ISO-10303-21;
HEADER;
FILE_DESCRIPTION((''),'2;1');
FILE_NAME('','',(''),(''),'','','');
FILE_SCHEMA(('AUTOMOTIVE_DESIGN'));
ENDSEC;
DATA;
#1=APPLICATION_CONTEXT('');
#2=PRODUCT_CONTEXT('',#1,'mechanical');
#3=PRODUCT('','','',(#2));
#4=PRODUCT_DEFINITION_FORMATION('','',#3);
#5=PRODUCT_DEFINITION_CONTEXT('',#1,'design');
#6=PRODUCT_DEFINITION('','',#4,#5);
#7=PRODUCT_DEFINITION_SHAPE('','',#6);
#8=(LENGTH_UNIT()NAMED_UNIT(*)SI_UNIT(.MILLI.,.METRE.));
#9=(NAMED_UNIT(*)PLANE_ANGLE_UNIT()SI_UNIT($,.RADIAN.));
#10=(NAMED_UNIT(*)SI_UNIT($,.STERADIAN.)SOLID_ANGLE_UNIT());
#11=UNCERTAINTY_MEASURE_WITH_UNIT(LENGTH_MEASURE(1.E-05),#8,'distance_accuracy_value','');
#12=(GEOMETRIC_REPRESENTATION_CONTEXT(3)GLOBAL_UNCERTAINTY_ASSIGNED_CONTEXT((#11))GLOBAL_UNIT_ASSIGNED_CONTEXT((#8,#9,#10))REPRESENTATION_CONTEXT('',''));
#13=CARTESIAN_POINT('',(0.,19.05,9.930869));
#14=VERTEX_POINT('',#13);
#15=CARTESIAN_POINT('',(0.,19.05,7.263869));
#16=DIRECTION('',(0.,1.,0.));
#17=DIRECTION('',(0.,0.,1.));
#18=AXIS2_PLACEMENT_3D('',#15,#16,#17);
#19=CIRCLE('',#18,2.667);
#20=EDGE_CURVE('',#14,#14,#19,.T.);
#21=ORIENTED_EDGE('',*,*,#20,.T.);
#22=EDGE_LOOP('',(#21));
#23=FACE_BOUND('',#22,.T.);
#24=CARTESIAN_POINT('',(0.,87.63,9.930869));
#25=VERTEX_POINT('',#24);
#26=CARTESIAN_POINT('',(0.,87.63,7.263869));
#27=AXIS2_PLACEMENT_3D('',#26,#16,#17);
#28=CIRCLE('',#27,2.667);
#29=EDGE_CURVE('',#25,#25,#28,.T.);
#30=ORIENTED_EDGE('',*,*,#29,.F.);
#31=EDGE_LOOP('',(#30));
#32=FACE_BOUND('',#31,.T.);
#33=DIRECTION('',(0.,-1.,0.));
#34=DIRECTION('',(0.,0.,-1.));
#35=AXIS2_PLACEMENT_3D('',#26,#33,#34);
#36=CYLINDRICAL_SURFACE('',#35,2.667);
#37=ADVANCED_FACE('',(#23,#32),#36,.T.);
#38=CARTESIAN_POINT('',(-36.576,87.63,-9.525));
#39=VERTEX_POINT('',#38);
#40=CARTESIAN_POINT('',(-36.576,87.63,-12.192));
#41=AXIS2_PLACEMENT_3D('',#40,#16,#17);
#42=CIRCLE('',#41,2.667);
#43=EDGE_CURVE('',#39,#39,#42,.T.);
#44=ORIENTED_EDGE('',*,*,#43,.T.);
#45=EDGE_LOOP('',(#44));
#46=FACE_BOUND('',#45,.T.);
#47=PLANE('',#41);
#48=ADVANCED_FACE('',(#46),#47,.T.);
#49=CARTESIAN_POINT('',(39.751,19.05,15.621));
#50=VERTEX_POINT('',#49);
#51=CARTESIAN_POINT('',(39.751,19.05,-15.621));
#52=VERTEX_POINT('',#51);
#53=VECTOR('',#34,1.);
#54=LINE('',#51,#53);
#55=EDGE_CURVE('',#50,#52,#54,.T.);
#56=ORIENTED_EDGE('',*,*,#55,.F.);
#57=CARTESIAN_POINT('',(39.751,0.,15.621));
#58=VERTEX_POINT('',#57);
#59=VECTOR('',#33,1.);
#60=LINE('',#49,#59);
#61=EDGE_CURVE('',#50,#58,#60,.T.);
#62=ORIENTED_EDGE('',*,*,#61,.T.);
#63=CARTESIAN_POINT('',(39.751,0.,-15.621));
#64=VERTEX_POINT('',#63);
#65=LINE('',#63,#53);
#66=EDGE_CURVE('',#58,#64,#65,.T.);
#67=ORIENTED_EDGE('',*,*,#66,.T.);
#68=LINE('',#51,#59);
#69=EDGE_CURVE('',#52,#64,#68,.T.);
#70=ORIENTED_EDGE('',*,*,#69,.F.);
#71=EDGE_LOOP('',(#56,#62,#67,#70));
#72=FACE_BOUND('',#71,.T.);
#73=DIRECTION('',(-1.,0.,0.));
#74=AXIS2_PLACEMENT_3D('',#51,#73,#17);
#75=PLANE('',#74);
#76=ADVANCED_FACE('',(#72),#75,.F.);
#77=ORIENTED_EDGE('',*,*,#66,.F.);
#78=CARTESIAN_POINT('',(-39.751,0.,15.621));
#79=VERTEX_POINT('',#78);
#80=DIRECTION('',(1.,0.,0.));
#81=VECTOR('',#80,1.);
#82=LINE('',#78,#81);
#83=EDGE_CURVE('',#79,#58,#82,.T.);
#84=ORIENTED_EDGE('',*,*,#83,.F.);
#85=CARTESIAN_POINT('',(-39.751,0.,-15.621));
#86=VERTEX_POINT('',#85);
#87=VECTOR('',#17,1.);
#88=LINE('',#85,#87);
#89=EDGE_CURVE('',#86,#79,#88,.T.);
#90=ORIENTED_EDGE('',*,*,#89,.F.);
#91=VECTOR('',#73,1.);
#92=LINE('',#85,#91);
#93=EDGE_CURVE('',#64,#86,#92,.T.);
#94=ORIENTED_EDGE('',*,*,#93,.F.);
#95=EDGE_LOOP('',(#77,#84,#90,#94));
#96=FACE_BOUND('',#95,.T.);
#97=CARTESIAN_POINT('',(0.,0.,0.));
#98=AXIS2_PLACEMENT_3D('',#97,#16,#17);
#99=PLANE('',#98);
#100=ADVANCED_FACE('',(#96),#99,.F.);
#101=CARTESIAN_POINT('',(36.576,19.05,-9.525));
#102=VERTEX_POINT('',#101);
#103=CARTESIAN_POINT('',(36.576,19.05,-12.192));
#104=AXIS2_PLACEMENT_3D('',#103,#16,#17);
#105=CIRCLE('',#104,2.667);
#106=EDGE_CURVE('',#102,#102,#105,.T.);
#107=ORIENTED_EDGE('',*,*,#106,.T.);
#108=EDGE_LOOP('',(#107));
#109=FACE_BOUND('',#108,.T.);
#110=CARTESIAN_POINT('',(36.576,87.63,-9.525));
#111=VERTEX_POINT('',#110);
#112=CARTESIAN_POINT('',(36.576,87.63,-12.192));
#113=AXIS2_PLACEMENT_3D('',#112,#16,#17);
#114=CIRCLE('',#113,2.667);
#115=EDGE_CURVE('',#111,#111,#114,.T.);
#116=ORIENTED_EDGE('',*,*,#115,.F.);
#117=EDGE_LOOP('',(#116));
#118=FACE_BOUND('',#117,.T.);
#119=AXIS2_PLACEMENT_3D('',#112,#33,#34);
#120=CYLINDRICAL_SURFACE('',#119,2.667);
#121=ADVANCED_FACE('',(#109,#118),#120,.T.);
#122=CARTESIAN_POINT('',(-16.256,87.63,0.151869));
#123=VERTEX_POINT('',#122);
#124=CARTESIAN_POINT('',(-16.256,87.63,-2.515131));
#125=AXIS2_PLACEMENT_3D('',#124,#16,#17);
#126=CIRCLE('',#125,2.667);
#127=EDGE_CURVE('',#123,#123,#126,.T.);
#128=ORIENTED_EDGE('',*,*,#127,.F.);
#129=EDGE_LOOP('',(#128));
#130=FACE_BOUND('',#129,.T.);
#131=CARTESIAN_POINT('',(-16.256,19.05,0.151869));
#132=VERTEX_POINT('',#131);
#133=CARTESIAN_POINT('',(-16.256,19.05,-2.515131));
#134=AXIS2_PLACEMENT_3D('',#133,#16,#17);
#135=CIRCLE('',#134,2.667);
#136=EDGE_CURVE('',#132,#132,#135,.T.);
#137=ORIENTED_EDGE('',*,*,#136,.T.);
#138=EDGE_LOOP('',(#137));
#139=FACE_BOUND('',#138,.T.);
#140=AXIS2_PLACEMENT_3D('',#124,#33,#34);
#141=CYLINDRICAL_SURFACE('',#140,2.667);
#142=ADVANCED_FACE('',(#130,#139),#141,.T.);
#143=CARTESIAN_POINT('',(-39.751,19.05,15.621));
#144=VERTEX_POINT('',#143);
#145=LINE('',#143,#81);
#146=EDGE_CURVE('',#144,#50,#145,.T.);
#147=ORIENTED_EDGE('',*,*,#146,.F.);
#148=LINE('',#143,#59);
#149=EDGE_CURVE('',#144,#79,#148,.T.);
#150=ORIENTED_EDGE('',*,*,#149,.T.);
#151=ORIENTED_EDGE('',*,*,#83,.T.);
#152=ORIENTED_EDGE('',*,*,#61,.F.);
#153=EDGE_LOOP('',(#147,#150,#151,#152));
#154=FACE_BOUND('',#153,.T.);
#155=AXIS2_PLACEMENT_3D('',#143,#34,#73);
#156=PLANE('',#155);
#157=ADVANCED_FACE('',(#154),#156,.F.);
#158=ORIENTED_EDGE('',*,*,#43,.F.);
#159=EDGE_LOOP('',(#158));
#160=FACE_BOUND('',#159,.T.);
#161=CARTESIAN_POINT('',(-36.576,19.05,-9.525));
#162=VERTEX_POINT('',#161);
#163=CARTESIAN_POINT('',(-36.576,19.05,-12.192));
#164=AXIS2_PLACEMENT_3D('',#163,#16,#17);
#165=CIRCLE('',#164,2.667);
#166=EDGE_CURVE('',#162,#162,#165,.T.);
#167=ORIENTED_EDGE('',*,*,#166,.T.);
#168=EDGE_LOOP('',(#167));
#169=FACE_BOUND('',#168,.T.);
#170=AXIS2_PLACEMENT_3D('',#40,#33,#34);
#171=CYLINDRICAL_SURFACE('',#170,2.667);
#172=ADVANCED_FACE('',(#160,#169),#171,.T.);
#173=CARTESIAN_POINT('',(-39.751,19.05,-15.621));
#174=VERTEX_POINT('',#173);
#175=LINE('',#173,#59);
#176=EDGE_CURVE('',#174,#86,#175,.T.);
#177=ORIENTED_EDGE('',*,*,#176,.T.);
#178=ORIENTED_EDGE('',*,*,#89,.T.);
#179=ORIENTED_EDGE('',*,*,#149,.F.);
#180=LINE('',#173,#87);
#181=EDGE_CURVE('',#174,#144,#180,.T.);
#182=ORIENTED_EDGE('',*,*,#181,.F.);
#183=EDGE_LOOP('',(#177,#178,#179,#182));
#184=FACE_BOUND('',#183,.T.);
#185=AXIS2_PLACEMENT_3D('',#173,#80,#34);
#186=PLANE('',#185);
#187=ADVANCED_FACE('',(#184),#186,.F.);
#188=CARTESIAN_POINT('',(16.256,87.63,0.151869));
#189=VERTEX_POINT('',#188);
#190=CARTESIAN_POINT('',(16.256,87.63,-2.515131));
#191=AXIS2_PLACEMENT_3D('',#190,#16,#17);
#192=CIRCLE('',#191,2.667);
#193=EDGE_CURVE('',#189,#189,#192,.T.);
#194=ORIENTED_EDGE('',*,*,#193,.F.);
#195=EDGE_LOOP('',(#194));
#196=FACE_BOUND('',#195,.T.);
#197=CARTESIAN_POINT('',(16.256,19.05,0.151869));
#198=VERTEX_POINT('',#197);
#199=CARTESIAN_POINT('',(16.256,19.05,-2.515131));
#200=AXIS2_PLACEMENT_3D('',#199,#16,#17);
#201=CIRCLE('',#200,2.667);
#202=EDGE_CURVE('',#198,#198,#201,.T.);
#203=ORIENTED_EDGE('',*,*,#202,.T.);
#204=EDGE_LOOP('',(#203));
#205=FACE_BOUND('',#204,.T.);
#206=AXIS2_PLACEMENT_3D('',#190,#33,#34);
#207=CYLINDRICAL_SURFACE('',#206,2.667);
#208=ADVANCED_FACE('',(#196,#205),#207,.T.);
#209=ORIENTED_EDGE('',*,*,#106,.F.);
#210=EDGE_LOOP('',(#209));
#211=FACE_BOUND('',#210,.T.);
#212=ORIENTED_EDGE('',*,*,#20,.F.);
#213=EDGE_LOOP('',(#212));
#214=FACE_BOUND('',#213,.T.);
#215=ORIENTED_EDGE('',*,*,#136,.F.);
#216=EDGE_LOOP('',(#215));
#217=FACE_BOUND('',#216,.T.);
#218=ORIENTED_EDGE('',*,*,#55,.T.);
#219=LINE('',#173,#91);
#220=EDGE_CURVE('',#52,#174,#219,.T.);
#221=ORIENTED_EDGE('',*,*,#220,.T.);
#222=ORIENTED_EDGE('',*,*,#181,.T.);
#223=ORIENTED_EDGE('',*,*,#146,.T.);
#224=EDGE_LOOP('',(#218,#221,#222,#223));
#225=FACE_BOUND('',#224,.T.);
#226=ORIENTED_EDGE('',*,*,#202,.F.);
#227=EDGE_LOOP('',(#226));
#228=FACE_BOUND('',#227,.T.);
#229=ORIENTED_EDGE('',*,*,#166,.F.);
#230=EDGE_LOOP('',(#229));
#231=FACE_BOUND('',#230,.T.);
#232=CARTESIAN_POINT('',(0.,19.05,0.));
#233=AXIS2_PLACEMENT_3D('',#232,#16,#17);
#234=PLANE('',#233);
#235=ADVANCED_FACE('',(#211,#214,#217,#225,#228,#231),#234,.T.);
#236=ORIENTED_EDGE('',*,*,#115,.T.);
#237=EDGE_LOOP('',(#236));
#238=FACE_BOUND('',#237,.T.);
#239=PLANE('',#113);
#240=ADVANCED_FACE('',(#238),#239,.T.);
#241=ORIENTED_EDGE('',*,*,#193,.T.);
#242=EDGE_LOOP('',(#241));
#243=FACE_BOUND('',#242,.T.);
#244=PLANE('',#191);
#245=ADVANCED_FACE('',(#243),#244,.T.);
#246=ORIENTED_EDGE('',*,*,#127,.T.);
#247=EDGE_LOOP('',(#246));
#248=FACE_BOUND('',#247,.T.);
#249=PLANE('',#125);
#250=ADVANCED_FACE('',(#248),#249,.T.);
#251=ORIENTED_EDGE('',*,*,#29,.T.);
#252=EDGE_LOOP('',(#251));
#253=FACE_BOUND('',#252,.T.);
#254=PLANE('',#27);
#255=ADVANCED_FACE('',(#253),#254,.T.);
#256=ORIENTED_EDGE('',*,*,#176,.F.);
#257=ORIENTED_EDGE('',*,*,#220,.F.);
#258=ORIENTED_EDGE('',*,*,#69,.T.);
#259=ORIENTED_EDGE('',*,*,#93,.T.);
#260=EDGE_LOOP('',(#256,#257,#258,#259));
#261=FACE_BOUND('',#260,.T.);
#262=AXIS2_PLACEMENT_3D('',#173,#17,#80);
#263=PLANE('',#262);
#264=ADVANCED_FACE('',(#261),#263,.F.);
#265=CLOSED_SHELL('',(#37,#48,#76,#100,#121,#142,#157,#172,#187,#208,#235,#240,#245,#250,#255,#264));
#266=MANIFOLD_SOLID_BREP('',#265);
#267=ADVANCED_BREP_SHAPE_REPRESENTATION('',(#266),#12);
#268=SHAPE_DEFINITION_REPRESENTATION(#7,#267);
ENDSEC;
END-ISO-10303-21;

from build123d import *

# Parameters (mm, degrees)
SKETCH1_W           = 79.502
SKETCH1_H           = 31.242
BOSS_EXTRUDE1_DEPTH = 19.05
SKETCH2_R           = 2.667
BOSS_EXTRUDE2_DEPTH = 68.58


with BuildPart() as part:
    # Sketch1 → Boss-Extrude1 (new body)
    with BuildSketch(Plane(origin=(0, 0, 0), x_dir=(1, 0, 0), z_dir=(0, 1, 0))):
        Rectangle(SKETCH1_W, SKETCH1_H)
    extrude(amount=BOSS_EXTRUDE1_DEPTH)

    # Sketch2 → Boss-Extrude2 (add)
    with BuildSketch(Plane(origin=(0, 19.05, 0), x_dir=(1, 0, 0), z_dir=(0, 1, 0))):
        with Locations(Location((-36.576, 12.192, 0), (0, 0, 270))):
            Circle(SKETCH2_R)
        with Locations(Location((-16.256, 2.515131479, 0), (0, 0, 270))):
            Circle(SKETCH2_R)
        with Locations(Location((0, -7.263868521, 0), (0, 0, 270))):
            Circle(SKETCH2_R)
        with Locations(Location((16.256, 2.515131479, 0), (0, 0, 270))):
            Circle(SKETCH2_R)
        with Locations(Location((36.576, 12.192, 0), (0, 0, 270))):
            Circle(SKETCH2_R)
    extrude(amount=BOSS_EXTRUDE2_DEPTH)


solid = part.part
